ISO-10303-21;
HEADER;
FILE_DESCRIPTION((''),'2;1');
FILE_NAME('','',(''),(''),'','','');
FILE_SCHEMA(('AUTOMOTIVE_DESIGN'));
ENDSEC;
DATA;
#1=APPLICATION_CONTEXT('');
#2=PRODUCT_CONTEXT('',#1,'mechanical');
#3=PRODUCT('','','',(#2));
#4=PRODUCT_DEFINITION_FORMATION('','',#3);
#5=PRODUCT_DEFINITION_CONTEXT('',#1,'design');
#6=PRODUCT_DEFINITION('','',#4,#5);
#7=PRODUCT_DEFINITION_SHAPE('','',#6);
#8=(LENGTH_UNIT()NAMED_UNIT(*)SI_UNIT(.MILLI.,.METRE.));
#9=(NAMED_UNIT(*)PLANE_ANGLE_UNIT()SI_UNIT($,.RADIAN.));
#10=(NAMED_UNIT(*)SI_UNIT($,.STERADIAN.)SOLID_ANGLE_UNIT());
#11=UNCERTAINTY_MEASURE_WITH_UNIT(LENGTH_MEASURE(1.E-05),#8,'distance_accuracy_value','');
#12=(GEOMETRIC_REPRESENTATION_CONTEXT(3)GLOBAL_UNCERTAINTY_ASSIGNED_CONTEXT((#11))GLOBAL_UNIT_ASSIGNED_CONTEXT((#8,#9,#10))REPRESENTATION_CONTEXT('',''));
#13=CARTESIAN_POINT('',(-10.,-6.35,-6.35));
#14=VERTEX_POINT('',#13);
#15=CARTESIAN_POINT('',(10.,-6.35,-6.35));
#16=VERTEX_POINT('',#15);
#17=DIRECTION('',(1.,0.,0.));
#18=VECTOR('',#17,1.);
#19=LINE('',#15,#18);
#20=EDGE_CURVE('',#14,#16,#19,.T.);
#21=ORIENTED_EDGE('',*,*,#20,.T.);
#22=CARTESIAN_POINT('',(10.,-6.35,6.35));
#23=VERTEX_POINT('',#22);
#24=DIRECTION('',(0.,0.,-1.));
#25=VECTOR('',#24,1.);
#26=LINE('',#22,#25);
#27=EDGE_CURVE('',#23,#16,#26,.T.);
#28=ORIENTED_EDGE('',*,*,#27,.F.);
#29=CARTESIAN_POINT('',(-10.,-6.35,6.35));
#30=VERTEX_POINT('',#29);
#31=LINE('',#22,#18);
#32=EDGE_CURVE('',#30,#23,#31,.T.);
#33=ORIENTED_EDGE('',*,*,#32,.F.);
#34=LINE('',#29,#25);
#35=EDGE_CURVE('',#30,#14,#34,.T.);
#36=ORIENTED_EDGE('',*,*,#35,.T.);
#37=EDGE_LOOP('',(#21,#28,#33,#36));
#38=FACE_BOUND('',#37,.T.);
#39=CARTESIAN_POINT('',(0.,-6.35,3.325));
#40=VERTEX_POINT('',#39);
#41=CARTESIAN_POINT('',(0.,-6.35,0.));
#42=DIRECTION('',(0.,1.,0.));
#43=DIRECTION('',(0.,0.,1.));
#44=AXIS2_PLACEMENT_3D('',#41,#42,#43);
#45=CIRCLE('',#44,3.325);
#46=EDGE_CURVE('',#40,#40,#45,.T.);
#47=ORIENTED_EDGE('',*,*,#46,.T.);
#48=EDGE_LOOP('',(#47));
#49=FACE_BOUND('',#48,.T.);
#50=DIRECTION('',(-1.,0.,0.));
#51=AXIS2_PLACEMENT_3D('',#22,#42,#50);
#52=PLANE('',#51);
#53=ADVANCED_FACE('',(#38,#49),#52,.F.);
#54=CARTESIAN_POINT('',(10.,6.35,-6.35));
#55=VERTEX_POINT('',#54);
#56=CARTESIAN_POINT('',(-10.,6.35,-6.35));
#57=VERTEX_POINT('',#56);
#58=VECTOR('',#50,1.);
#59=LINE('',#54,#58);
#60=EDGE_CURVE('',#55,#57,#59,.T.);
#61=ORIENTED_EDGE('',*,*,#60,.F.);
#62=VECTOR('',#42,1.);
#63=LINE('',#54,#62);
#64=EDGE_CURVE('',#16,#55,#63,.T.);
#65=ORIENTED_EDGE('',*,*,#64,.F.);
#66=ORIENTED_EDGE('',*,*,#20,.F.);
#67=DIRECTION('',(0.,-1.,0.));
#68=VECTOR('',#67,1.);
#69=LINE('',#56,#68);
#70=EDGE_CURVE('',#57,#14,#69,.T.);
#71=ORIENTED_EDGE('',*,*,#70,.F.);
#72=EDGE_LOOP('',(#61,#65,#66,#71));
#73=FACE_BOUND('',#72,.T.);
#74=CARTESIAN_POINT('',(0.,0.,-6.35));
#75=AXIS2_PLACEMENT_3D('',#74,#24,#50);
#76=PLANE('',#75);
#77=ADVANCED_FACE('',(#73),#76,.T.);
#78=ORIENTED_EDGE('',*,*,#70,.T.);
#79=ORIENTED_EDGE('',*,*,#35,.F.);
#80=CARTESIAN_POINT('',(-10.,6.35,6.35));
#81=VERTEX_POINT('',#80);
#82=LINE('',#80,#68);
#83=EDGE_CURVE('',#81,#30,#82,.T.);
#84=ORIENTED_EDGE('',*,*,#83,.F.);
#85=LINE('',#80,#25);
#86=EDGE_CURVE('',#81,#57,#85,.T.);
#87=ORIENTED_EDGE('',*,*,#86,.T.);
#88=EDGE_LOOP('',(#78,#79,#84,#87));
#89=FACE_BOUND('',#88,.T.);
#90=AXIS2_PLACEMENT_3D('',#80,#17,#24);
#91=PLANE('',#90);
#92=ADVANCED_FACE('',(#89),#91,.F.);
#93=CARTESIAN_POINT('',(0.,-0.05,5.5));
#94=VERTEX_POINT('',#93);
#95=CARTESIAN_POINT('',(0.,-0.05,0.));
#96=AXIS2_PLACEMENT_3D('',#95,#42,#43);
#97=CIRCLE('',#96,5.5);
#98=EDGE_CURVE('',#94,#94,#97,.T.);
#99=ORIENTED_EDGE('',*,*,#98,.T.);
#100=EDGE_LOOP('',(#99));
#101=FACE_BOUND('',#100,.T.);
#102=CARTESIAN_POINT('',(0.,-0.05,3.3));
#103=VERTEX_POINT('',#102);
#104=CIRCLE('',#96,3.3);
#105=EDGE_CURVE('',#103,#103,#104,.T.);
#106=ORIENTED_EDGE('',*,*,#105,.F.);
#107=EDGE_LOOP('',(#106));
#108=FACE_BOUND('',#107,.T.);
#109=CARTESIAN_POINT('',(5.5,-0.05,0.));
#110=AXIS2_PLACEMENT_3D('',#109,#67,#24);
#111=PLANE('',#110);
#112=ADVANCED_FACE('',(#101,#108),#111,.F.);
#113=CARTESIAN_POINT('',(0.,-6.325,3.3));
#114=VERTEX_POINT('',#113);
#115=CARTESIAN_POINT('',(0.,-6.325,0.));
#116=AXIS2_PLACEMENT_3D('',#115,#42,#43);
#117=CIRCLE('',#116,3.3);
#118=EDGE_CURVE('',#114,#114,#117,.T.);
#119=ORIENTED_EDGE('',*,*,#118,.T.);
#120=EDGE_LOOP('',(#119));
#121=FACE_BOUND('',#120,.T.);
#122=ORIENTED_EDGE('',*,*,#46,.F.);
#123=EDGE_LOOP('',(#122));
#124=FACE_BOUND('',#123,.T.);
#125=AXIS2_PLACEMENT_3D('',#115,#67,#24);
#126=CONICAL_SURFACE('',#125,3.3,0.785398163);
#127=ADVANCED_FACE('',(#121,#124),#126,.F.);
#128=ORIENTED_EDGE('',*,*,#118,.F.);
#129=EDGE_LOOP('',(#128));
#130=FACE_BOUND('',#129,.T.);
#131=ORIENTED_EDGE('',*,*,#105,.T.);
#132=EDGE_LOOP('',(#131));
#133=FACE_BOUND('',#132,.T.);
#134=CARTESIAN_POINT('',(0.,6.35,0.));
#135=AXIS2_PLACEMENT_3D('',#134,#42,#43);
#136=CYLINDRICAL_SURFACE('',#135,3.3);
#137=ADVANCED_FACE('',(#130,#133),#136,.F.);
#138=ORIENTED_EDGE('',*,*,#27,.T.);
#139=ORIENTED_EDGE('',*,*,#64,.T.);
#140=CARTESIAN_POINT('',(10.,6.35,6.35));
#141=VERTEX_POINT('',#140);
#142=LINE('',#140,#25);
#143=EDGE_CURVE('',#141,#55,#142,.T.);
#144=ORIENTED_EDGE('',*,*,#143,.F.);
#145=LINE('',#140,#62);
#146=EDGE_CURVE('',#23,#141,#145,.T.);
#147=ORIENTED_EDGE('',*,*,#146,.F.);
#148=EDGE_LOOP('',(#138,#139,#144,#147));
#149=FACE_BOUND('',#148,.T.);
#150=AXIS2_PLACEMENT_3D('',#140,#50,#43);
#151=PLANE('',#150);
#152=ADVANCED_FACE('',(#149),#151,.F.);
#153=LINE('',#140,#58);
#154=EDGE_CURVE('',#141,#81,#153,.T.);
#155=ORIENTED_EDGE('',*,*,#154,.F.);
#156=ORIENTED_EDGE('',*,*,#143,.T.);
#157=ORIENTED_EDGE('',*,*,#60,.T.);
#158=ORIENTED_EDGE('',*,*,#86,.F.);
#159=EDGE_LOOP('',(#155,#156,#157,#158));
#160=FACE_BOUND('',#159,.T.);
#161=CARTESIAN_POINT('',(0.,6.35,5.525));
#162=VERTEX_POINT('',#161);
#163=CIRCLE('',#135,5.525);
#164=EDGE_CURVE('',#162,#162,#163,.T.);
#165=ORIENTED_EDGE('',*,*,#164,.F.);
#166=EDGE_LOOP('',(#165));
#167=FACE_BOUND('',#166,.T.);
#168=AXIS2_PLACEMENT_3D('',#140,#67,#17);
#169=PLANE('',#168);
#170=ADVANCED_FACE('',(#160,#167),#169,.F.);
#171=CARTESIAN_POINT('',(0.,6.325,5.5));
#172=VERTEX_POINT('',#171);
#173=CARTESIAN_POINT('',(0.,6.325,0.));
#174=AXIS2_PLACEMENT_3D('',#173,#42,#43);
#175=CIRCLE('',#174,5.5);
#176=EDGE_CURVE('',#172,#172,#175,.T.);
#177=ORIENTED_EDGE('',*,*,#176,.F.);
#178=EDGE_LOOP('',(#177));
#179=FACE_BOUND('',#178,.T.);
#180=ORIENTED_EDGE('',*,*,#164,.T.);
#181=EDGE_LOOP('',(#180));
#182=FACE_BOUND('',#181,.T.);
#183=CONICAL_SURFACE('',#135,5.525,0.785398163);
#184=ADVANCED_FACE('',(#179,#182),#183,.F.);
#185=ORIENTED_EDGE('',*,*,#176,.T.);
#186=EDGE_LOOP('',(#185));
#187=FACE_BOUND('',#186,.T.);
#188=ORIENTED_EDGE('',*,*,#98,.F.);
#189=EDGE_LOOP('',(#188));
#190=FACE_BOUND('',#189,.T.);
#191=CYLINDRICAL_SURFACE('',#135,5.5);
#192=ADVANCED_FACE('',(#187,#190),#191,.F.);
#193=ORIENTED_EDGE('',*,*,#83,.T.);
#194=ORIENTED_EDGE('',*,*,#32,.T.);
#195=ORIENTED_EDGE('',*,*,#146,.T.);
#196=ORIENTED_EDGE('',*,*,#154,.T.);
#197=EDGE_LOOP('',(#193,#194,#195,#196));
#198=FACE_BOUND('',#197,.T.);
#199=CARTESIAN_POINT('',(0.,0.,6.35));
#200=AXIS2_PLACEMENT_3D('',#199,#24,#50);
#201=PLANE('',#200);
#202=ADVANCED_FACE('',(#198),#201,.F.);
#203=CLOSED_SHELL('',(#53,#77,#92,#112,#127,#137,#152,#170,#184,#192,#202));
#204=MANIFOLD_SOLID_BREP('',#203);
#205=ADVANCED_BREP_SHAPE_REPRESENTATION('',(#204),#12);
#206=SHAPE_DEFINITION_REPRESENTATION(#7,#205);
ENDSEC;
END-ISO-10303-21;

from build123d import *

# Parameters (mm, degrees)
CROQUIS1_W              = 20
CROQUIS1_H              = 12.7
SALIENTE_EXTRUIR1_DEPTH = 6.35


with BuildPart() as part:
    # Croquis1 → Saliente-Extruir1 (new, symmetric)
    with BuildSketch(Plane.XY):
        Rectangle(CROQUIS1_W, CROQUIS1_H)
    extrude(amount=SALIENTE_EXTRUIR1_DEPTH, both=True)

    # Croquis3 → Refrentado para tornillo con cabeza hueca de M61 (revolve, cut)
    with BuildSketch(Plane(origin=(0, 6.35, 0), x_dir=(0, 0, 1), z_dir=(1, 0, 0))):
        Polygon((0, 0), (0, 12.7), (3.325, 12.7), (3.3, 12.675), (3.3, 6.4), (5.5, 6.4), (5.5, 0.025), (5.525, 0), align=None)
    revolve(axis=Axis((0, 12.7, 0), (0, -1, 0)), mode=Mode.SUBTRACT)


solid = part.part
